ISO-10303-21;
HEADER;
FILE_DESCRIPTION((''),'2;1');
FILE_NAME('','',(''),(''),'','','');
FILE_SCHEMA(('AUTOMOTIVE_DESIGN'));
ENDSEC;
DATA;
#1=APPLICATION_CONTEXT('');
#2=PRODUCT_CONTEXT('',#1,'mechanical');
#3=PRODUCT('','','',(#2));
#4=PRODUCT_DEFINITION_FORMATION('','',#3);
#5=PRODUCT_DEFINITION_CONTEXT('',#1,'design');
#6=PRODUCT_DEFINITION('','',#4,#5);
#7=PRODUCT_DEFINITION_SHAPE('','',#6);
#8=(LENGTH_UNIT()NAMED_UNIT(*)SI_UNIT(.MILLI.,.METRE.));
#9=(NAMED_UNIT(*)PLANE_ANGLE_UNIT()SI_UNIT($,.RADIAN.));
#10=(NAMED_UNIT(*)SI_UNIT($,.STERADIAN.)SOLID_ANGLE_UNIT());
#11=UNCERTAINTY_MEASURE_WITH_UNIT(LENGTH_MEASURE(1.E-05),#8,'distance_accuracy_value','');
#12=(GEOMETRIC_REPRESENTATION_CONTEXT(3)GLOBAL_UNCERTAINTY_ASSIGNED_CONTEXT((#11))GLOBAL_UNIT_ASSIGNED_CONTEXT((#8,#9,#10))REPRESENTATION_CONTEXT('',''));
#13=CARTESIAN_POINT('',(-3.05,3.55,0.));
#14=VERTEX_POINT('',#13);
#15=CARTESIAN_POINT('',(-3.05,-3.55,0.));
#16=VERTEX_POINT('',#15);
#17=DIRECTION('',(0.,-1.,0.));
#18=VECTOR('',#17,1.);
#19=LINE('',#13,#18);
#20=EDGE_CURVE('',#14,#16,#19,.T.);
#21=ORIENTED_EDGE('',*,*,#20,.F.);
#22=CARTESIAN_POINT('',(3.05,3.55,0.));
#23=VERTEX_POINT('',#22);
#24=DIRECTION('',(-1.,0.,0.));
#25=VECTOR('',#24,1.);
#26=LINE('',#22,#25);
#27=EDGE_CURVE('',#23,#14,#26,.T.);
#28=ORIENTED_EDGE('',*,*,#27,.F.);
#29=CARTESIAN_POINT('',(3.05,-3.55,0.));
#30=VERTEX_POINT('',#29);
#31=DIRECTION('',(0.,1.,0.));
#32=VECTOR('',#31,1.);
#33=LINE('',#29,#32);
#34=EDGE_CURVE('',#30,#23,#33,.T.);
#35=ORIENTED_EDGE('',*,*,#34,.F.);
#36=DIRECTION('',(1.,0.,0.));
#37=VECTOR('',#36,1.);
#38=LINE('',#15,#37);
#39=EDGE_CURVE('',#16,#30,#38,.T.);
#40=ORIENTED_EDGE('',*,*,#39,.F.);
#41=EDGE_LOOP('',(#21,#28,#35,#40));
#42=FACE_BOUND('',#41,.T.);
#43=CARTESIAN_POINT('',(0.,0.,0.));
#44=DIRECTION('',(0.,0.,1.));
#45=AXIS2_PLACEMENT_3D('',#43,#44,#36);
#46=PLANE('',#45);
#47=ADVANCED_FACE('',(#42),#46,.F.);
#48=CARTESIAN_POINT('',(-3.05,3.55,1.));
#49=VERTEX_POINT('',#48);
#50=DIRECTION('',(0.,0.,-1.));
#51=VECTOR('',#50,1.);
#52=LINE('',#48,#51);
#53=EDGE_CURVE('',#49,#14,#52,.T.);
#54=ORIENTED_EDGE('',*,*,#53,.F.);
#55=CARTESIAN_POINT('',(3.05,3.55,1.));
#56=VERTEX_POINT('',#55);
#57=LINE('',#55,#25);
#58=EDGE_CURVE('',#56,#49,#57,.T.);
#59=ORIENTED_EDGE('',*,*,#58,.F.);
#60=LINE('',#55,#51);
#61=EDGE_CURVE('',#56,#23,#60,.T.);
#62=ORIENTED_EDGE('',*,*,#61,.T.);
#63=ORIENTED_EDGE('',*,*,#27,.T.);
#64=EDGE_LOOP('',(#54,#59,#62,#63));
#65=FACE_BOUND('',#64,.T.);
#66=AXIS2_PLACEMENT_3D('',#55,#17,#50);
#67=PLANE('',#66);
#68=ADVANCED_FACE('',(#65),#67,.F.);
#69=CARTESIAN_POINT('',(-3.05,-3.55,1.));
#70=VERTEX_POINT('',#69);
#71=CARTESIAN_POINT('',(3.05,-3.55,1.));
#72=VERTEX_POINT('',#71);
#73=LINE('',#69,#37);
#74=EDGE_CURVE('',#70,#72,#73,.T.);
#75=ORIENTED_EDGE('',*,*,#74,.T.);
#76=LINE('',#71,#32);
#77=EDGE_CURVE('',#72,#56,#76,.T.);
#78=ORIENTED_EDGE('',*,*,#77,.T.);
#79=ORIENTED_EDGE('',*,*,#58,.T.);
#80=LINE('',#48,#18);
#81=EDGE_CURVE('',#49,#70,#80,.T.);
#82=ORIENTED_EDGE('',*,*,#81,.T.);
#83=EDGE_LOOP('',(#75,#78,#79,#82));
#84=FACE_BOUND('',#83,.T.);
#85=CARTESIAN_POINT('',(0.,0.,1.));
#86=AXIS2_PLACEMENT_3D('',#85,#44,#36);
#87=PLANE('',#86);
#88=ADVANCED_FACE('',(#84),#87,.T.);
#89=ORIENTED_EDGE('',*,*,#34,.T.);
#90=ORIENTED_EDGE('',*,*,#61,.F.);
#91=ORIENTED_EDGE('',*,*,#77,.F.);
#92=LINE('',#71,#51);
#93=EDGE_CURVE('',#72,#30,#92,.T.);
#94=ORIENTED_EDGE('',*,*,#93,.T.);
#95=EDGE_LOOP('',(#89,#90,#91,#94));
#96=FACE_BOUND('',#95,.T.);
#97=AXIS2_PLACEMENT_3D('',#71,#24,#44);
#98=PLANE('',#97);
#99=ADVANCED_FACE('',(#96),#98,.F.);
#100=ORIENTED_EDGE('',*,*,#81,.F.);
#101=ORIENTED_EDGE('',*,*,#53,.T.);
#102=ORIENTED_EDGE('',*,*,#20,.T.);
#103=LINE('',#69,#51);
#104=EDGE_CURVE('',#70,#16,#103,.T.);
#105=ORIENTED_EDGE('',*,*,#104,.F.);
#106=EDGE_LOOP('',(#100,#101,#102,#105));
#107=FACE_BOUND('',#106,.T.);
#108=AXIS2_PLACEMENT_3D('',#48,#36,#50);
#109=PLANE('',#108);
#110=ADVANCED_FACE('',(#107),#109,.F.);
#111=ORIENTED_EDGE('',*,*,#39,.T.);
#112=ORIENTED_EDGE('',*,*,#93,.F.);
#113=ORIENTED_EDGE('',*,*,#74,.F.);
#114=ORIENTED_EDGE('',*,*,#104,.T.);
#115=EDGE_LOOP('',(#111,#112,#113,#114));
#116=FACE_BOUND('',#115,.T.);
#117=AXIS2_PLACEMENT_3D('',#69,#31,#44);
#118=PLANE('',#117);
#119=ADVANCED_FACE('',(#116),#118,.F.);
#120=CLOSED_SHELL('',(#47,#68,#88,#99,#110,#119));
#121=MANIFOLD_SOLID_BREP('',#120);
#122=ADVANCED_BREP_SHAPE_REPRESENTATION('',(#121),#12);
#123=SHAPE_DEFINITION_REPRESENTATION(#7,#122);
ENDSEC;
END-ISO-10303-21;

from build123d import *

# Parameters (mm, degrees)
SKETCH_1_W              = 6.1
SKETCH_1_H              = 7.1
COMPONENT_OUTLINE_DEPTH = 1


with BuildPart() as part:
    # 草图1 → Component_Outline (new body)
    with BuildSketch(Plane.XY):
        Rectangle(SKETCH_1_W, SKETCH_1_H)
    extrude(amount=COMPONENT_OUTLINE_DEPTH)


solid = part.part
